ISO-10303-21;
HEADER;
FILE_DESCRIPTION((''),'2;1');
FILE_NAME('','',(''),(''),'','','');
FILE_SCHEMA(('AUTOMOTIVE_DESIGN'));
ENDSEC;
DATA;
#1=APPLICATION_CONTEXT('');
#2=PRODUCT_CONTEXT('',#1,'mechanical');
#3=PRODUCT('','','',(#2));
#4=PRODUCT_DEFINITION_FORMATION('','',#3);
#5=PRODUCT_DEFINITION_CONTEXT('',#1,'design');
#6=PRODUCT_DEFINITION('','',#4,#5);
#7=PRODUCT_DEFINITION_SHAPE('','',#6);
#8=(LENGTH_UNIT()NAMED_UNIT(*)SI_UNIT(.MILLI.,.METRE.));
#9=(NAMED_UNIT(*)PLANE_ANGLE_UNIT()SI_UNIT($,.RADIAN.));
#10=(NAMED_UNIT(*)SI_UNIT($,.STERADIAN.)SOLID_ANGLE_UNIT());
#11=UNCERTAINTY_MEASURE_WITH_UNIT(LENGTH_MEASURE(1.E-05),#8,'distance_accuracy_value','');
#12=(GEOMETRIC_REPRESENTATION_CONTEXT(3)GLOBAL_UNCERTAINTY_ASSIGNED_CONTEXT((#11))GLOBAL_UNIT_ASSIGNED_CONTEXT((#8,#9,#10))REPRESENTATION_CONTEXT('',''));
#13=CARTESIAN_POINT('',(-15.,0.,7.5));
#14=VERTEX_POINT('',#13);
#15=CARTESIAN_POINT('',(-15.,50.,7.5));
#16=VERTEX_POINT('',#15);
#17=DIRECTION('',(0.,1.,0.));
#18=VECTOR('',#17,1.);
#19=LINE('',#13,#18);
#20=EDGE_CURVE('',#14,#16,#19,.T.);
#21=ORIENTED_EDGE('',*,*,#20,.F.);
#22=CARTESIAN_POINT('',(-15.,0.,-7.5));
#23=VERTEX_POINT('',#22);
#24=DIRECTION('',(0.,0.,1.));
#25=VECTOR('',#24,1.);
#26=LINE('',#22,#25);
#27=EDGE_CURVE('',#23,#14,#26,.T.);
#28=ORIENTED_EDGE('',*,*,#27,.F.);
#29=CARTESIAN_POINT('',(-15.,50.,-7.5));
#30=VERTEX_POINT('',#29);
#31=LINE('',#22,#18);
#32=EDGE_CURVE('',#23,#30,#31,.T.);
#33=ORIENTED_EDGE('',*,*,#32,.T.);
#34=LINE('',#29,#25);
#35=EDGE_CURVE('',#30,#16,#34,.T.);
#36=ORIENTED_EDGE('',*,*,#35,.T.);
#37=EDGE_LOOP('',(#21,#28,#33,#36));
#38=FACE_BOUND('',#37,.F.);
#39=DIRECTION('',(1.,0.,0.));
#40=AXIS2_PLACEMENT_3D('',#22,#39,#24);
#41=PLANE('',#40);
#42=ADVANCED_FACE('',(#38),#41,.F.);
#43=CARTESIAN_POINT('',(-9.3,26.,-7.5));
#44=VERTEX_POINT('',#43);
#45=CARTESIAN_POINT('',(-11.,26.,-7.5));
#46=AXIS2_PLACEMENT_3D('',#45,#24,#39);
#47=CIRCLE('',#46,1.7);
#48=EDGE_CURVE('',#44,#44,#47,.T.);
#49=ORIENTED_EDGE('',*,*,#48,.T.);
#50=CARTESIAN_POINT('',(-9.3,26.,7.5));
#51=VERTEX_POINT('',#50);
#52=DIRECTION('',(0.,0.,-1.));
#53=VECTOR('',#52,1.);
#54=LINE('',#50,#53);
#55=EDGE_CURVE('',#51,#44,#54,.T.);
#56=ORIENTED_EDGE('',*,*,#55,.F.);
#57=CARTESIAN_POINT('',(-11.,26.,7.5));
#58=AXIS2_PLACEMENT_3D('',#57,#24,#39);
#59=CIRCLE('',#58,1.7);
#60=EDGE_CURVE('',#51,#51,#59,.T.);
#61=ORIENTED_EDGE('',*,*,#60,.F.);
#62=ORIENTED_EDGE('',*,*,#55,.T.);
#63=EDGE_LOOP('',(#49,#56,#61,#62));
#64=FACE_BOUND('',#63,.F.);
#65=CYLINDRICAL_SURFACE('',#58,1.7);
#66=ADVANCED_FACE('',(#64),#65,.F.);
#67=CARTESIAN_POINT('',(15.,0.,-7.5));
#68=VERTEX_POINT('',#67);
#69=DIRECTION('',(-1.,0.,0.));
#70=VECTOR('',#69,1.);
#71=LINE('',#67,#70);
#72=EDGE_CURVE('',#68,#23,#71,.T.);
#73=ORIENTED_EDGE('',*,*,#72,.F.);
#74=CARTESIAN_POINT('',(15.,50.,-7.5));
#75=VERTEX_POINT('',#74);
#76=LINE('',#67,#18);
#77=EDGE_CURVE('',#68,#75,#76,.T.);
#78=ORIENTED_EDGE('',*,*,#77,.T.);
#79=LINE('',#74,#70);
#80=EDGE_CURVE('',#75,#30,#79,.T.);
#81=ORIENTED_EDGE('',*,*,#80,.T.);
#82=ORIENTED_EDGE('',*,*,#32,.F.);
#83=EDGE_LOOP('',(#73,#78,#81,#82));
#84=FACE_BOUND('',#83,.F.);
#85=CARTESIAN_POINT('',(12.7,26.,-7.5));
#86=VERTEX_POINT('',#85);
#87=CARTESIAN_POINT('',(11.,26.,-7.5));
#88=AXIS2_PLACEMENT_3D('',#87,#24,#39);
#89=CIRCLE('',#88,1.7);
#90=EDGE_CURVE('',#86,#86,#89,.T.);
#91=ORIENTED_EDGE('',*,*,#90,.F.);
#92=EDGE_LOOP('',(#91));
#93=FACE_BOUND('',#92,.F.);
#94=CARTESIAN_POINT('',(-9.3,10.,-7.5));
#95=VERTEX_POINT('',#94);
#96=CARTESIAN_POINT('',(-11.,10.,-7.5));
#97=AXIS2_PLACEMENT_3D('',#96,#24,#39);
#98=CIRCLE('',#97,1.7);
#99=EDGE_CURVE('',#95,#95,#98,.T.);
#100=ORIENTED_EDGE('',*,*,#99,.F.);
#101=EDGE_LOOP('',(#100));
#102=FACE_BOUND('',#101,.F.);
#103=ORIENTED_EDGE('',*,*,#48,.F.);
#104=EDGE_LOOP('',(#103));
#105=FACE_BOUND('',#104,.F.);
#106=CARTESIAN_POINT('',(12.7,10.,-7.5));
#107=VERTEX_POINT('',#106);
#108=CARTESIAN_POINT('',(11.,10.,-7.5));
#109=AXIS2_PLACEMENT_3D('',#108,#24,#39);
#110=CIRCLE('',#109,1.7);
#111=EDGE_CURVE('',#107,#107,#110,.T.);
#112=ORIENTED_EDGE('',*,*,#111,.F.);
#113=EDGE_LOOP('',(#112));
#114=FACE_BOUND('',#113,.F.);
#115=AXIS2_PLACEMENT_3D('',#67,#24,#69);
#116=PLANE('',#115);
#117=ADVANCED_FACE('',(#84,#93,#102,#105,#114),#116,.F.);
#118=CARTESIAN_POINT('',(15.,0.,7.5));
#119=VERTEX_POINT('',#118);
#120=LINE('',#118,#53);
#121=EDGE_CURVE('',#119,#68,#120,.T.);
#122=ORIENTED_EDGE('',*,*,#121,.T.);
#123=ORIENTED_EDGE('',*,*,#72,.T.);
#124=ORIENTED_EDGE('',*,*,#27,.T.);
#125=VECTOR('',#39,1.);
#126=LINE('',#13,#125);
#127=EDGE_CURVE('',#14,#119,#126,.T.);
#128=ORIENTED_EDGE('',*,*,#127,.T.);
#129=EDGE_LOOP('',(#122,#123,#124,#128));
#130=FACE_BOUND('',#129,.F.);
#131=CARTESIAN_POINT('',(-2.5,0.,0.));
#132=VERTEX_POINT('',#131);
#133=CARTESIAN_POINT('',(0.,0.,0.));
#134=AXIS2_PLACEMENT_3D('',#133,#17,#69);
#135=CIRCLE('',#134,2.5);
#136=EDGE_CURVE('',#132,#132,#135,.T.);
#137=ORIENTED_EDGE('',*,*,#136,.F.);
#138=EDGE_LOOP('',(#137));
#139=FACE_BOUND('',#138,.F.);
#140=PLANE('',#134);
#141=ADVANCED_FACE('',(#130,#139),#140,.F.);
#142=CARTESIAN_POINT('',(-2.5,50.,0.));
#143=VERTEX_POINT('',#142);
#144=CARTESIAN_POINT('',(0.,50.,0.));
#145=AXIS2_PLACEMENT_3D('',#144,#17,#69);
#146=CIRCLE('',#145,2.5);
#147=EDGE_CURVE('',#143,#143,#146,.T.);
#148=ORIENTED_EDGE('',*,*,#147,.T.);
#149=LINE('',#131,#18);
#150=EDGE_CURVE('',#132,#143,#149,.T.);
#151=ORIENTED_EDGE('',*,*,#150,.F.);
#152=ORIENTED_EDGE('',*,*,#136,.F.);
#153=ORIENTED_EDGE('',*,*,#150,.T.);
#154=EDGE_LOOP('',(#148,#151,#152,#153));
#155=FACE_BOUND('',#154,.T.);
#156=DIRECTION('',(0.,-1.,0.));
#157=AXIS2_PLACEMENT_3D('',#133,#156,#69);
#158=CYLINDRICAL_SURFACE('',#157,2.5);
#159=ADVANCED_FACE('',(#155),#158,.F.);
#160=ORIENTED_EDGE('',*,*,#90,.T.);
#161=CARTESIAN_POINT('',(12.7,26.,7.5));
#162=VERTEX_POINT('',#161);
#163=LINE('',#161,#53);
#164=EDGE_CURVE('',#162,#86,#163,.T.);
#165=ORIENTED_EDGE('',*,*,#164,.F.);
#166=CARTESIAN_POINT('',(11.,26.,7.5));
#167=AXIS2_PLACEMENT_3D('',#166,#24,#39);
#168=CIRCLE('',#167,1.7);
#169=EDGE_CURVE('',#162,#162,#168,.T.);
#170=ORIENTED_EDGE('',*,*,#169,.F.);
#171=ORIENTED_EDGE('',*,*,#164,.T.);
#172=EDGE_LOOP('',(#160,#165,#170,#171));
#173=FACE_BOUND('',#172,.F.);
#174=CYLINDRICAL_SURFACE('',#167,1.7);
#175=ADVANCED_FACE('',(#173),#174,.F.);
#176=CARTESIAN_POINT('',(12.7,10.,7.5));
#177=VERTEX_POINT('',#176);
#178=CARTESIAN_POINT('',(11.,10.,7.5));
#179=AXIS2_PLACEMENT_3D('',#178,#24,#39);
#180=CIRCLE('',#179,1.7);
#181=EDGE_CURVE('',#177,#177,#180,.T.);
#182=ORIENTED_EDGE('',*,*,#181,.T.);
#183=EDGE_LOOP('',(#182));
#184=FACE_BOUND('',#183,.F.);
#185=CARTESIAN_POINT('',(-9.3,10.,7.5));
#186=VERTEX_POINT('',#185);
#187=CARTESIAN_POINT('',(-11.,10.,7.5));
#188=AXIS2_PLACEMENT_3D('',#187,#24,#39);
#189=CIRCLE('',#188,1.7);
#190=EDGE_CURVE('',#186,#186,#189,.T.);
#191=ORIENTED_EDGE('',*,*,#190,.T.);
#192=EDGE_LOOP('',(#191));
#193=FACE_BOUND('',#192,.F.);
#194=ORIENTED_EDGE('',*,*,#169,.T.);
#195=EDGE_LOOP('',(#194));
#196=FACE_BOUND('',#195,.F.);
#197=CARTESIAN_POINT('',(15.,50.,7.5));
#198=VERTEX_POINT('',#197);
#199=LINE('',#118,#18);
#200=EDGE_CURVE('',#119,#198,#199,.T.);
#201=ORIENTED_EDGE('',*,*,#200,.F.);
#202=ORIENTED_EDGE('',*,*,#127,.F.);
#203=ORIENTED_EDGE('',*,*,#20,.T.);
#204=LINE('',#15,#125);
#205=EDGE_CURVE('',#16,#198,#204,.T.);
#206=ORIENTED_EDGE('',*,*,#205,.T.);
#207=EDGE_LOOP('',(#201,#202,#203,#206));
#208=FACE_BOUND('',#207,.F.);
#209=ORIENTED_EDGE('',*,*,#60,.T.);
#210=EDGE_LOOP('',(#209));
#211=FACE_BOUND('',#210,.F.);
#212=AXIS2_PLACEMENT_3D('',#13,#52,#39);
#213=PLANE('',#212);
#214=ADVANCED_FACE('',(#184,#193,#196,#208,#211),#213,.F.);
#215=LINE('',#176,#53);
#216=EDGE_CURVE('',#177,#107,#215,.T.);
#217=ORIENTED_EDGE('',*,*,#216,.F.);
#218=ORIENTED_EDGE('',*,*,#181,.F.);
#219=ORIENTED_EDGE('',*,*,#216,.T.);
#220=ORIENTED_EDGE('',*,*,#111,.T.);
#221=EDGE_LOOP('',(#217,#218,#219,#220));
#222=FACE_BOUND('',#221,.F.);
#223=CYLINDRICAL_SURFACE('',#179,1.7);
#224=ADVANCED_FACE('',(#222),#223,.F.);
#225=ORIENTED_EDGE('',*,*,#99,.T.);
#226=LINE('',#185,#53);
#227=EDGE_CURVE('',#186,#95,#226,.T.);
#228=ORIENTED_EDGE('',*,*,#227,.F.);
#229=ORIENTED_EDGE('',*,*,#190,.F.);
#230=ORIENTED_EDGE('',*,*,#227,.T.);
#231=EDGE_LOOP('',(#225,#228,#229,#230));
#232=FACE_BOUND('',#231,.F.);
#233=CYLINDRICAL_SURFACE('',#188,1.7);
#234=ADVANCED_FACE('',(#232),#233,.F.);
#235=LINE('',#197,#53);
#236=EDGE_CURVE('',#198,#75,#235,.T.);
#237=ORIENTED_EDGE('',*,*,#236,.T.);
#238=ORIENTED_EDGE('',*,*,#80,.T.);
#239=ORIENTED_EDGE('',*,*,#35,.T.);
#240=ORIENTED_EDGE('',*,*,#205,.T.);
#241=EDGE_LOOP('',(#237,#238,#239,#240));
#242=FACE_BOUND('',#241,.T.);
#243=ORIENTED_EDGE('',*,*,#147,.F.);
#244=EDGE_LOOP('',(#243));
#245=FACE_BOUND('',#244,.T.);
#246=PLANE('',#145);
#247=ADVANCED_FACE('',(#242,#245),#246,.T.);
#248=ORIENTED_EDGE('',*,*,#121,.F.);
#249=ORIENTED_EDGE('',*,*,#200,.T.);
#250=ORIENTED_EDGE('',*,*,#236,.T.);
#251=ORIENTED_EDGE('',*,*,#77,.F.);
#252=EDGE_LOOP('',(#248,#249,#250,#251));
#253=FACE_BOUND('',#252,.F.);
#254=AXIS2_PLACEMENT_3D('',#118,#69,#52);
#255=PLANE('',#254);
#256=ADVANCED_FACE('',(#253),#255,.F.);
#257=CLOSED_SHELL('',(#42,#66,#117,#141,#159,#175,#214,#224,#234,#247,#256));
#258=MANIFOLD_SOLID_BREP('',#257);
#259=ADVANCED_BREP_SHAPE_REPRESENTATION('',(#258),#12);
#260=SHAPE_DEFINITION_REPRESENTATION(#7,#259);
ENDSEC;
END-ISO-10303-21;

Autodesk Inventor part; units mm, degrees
ref_plane "YZ Plane" through (0, 0, 0) normal (1, 0, 0) x (0, 1, 0)
ref_plane "XZ Plane" through (0, 0, 0) normal (0, 1, 0) x (-1, 0, 0)
ref_plane "XY Plane" through (0, 0, 0) normal (0, 0, 1) x (1, 0, 0)
sketch "Skizze1" plane through (0, 0, 0) normal (0, 1, 0) x (-1, 0, 0)
  point P0 (0, 0)
sketch "Skizze2" plane through (0, 0, 0) normal (0, 1, 0) x (-1, 0, 0)
  line L0 (15, 7.5) -> (-15, 7.5)
  line L1 (-15, 7.5) -> (-15, -7.5)
  line L2 (-15, -7.5) -> (15, -7.5)
  line L3 (15, -7.5) -> (15, 7.5)
  circle A0 centre (0, 0) radius 2.5
  dimension "d4" = 15
  dimension "d5" = 30
  dimension "d6" = 15
  dimension "d7" = 7.5
  dimension "d8" = 5
extrude "Extrusion1" add sketch "Skizze2" along normal blind 50
sketch "Skizze3" plane through (-15, 0, 7.5) normal (0, 0, 1) x (1, 0, 0)
  circle A0 centre (4, 10) radius 1.7
  circle A1 centre (4, 26) radius 1.7
  circle A2 centre (26, 10) radius 1.7
  circle A3 centre (26, 26) radius 1.7
  line L0 (30, 0) -> (30, 50) projected
  line L1 (0, 0) -> (0, 50) projected
  line L2 (0, 0) -> (30, 0) projected
  point P0 (15, 0)
  dimension "d11" = 22
  dimension "d12" = 3.4
  dimension "d13" = 3.4
  dimension "d14" = 3.4
  dimension "d15" = 3.4
  dimension "d16" = 4
  dimension "d17" = 16
  dimension "d18" = 4
  dimension "d19" = 16
  dimension "d20" = 4
  dimension "d21" = 22
  dimension "d22" = 10
extrude "Extrusion2" cut sketch "Skizze3" against normal blind 15
properties part number "Gegenstück Rotorachse"
